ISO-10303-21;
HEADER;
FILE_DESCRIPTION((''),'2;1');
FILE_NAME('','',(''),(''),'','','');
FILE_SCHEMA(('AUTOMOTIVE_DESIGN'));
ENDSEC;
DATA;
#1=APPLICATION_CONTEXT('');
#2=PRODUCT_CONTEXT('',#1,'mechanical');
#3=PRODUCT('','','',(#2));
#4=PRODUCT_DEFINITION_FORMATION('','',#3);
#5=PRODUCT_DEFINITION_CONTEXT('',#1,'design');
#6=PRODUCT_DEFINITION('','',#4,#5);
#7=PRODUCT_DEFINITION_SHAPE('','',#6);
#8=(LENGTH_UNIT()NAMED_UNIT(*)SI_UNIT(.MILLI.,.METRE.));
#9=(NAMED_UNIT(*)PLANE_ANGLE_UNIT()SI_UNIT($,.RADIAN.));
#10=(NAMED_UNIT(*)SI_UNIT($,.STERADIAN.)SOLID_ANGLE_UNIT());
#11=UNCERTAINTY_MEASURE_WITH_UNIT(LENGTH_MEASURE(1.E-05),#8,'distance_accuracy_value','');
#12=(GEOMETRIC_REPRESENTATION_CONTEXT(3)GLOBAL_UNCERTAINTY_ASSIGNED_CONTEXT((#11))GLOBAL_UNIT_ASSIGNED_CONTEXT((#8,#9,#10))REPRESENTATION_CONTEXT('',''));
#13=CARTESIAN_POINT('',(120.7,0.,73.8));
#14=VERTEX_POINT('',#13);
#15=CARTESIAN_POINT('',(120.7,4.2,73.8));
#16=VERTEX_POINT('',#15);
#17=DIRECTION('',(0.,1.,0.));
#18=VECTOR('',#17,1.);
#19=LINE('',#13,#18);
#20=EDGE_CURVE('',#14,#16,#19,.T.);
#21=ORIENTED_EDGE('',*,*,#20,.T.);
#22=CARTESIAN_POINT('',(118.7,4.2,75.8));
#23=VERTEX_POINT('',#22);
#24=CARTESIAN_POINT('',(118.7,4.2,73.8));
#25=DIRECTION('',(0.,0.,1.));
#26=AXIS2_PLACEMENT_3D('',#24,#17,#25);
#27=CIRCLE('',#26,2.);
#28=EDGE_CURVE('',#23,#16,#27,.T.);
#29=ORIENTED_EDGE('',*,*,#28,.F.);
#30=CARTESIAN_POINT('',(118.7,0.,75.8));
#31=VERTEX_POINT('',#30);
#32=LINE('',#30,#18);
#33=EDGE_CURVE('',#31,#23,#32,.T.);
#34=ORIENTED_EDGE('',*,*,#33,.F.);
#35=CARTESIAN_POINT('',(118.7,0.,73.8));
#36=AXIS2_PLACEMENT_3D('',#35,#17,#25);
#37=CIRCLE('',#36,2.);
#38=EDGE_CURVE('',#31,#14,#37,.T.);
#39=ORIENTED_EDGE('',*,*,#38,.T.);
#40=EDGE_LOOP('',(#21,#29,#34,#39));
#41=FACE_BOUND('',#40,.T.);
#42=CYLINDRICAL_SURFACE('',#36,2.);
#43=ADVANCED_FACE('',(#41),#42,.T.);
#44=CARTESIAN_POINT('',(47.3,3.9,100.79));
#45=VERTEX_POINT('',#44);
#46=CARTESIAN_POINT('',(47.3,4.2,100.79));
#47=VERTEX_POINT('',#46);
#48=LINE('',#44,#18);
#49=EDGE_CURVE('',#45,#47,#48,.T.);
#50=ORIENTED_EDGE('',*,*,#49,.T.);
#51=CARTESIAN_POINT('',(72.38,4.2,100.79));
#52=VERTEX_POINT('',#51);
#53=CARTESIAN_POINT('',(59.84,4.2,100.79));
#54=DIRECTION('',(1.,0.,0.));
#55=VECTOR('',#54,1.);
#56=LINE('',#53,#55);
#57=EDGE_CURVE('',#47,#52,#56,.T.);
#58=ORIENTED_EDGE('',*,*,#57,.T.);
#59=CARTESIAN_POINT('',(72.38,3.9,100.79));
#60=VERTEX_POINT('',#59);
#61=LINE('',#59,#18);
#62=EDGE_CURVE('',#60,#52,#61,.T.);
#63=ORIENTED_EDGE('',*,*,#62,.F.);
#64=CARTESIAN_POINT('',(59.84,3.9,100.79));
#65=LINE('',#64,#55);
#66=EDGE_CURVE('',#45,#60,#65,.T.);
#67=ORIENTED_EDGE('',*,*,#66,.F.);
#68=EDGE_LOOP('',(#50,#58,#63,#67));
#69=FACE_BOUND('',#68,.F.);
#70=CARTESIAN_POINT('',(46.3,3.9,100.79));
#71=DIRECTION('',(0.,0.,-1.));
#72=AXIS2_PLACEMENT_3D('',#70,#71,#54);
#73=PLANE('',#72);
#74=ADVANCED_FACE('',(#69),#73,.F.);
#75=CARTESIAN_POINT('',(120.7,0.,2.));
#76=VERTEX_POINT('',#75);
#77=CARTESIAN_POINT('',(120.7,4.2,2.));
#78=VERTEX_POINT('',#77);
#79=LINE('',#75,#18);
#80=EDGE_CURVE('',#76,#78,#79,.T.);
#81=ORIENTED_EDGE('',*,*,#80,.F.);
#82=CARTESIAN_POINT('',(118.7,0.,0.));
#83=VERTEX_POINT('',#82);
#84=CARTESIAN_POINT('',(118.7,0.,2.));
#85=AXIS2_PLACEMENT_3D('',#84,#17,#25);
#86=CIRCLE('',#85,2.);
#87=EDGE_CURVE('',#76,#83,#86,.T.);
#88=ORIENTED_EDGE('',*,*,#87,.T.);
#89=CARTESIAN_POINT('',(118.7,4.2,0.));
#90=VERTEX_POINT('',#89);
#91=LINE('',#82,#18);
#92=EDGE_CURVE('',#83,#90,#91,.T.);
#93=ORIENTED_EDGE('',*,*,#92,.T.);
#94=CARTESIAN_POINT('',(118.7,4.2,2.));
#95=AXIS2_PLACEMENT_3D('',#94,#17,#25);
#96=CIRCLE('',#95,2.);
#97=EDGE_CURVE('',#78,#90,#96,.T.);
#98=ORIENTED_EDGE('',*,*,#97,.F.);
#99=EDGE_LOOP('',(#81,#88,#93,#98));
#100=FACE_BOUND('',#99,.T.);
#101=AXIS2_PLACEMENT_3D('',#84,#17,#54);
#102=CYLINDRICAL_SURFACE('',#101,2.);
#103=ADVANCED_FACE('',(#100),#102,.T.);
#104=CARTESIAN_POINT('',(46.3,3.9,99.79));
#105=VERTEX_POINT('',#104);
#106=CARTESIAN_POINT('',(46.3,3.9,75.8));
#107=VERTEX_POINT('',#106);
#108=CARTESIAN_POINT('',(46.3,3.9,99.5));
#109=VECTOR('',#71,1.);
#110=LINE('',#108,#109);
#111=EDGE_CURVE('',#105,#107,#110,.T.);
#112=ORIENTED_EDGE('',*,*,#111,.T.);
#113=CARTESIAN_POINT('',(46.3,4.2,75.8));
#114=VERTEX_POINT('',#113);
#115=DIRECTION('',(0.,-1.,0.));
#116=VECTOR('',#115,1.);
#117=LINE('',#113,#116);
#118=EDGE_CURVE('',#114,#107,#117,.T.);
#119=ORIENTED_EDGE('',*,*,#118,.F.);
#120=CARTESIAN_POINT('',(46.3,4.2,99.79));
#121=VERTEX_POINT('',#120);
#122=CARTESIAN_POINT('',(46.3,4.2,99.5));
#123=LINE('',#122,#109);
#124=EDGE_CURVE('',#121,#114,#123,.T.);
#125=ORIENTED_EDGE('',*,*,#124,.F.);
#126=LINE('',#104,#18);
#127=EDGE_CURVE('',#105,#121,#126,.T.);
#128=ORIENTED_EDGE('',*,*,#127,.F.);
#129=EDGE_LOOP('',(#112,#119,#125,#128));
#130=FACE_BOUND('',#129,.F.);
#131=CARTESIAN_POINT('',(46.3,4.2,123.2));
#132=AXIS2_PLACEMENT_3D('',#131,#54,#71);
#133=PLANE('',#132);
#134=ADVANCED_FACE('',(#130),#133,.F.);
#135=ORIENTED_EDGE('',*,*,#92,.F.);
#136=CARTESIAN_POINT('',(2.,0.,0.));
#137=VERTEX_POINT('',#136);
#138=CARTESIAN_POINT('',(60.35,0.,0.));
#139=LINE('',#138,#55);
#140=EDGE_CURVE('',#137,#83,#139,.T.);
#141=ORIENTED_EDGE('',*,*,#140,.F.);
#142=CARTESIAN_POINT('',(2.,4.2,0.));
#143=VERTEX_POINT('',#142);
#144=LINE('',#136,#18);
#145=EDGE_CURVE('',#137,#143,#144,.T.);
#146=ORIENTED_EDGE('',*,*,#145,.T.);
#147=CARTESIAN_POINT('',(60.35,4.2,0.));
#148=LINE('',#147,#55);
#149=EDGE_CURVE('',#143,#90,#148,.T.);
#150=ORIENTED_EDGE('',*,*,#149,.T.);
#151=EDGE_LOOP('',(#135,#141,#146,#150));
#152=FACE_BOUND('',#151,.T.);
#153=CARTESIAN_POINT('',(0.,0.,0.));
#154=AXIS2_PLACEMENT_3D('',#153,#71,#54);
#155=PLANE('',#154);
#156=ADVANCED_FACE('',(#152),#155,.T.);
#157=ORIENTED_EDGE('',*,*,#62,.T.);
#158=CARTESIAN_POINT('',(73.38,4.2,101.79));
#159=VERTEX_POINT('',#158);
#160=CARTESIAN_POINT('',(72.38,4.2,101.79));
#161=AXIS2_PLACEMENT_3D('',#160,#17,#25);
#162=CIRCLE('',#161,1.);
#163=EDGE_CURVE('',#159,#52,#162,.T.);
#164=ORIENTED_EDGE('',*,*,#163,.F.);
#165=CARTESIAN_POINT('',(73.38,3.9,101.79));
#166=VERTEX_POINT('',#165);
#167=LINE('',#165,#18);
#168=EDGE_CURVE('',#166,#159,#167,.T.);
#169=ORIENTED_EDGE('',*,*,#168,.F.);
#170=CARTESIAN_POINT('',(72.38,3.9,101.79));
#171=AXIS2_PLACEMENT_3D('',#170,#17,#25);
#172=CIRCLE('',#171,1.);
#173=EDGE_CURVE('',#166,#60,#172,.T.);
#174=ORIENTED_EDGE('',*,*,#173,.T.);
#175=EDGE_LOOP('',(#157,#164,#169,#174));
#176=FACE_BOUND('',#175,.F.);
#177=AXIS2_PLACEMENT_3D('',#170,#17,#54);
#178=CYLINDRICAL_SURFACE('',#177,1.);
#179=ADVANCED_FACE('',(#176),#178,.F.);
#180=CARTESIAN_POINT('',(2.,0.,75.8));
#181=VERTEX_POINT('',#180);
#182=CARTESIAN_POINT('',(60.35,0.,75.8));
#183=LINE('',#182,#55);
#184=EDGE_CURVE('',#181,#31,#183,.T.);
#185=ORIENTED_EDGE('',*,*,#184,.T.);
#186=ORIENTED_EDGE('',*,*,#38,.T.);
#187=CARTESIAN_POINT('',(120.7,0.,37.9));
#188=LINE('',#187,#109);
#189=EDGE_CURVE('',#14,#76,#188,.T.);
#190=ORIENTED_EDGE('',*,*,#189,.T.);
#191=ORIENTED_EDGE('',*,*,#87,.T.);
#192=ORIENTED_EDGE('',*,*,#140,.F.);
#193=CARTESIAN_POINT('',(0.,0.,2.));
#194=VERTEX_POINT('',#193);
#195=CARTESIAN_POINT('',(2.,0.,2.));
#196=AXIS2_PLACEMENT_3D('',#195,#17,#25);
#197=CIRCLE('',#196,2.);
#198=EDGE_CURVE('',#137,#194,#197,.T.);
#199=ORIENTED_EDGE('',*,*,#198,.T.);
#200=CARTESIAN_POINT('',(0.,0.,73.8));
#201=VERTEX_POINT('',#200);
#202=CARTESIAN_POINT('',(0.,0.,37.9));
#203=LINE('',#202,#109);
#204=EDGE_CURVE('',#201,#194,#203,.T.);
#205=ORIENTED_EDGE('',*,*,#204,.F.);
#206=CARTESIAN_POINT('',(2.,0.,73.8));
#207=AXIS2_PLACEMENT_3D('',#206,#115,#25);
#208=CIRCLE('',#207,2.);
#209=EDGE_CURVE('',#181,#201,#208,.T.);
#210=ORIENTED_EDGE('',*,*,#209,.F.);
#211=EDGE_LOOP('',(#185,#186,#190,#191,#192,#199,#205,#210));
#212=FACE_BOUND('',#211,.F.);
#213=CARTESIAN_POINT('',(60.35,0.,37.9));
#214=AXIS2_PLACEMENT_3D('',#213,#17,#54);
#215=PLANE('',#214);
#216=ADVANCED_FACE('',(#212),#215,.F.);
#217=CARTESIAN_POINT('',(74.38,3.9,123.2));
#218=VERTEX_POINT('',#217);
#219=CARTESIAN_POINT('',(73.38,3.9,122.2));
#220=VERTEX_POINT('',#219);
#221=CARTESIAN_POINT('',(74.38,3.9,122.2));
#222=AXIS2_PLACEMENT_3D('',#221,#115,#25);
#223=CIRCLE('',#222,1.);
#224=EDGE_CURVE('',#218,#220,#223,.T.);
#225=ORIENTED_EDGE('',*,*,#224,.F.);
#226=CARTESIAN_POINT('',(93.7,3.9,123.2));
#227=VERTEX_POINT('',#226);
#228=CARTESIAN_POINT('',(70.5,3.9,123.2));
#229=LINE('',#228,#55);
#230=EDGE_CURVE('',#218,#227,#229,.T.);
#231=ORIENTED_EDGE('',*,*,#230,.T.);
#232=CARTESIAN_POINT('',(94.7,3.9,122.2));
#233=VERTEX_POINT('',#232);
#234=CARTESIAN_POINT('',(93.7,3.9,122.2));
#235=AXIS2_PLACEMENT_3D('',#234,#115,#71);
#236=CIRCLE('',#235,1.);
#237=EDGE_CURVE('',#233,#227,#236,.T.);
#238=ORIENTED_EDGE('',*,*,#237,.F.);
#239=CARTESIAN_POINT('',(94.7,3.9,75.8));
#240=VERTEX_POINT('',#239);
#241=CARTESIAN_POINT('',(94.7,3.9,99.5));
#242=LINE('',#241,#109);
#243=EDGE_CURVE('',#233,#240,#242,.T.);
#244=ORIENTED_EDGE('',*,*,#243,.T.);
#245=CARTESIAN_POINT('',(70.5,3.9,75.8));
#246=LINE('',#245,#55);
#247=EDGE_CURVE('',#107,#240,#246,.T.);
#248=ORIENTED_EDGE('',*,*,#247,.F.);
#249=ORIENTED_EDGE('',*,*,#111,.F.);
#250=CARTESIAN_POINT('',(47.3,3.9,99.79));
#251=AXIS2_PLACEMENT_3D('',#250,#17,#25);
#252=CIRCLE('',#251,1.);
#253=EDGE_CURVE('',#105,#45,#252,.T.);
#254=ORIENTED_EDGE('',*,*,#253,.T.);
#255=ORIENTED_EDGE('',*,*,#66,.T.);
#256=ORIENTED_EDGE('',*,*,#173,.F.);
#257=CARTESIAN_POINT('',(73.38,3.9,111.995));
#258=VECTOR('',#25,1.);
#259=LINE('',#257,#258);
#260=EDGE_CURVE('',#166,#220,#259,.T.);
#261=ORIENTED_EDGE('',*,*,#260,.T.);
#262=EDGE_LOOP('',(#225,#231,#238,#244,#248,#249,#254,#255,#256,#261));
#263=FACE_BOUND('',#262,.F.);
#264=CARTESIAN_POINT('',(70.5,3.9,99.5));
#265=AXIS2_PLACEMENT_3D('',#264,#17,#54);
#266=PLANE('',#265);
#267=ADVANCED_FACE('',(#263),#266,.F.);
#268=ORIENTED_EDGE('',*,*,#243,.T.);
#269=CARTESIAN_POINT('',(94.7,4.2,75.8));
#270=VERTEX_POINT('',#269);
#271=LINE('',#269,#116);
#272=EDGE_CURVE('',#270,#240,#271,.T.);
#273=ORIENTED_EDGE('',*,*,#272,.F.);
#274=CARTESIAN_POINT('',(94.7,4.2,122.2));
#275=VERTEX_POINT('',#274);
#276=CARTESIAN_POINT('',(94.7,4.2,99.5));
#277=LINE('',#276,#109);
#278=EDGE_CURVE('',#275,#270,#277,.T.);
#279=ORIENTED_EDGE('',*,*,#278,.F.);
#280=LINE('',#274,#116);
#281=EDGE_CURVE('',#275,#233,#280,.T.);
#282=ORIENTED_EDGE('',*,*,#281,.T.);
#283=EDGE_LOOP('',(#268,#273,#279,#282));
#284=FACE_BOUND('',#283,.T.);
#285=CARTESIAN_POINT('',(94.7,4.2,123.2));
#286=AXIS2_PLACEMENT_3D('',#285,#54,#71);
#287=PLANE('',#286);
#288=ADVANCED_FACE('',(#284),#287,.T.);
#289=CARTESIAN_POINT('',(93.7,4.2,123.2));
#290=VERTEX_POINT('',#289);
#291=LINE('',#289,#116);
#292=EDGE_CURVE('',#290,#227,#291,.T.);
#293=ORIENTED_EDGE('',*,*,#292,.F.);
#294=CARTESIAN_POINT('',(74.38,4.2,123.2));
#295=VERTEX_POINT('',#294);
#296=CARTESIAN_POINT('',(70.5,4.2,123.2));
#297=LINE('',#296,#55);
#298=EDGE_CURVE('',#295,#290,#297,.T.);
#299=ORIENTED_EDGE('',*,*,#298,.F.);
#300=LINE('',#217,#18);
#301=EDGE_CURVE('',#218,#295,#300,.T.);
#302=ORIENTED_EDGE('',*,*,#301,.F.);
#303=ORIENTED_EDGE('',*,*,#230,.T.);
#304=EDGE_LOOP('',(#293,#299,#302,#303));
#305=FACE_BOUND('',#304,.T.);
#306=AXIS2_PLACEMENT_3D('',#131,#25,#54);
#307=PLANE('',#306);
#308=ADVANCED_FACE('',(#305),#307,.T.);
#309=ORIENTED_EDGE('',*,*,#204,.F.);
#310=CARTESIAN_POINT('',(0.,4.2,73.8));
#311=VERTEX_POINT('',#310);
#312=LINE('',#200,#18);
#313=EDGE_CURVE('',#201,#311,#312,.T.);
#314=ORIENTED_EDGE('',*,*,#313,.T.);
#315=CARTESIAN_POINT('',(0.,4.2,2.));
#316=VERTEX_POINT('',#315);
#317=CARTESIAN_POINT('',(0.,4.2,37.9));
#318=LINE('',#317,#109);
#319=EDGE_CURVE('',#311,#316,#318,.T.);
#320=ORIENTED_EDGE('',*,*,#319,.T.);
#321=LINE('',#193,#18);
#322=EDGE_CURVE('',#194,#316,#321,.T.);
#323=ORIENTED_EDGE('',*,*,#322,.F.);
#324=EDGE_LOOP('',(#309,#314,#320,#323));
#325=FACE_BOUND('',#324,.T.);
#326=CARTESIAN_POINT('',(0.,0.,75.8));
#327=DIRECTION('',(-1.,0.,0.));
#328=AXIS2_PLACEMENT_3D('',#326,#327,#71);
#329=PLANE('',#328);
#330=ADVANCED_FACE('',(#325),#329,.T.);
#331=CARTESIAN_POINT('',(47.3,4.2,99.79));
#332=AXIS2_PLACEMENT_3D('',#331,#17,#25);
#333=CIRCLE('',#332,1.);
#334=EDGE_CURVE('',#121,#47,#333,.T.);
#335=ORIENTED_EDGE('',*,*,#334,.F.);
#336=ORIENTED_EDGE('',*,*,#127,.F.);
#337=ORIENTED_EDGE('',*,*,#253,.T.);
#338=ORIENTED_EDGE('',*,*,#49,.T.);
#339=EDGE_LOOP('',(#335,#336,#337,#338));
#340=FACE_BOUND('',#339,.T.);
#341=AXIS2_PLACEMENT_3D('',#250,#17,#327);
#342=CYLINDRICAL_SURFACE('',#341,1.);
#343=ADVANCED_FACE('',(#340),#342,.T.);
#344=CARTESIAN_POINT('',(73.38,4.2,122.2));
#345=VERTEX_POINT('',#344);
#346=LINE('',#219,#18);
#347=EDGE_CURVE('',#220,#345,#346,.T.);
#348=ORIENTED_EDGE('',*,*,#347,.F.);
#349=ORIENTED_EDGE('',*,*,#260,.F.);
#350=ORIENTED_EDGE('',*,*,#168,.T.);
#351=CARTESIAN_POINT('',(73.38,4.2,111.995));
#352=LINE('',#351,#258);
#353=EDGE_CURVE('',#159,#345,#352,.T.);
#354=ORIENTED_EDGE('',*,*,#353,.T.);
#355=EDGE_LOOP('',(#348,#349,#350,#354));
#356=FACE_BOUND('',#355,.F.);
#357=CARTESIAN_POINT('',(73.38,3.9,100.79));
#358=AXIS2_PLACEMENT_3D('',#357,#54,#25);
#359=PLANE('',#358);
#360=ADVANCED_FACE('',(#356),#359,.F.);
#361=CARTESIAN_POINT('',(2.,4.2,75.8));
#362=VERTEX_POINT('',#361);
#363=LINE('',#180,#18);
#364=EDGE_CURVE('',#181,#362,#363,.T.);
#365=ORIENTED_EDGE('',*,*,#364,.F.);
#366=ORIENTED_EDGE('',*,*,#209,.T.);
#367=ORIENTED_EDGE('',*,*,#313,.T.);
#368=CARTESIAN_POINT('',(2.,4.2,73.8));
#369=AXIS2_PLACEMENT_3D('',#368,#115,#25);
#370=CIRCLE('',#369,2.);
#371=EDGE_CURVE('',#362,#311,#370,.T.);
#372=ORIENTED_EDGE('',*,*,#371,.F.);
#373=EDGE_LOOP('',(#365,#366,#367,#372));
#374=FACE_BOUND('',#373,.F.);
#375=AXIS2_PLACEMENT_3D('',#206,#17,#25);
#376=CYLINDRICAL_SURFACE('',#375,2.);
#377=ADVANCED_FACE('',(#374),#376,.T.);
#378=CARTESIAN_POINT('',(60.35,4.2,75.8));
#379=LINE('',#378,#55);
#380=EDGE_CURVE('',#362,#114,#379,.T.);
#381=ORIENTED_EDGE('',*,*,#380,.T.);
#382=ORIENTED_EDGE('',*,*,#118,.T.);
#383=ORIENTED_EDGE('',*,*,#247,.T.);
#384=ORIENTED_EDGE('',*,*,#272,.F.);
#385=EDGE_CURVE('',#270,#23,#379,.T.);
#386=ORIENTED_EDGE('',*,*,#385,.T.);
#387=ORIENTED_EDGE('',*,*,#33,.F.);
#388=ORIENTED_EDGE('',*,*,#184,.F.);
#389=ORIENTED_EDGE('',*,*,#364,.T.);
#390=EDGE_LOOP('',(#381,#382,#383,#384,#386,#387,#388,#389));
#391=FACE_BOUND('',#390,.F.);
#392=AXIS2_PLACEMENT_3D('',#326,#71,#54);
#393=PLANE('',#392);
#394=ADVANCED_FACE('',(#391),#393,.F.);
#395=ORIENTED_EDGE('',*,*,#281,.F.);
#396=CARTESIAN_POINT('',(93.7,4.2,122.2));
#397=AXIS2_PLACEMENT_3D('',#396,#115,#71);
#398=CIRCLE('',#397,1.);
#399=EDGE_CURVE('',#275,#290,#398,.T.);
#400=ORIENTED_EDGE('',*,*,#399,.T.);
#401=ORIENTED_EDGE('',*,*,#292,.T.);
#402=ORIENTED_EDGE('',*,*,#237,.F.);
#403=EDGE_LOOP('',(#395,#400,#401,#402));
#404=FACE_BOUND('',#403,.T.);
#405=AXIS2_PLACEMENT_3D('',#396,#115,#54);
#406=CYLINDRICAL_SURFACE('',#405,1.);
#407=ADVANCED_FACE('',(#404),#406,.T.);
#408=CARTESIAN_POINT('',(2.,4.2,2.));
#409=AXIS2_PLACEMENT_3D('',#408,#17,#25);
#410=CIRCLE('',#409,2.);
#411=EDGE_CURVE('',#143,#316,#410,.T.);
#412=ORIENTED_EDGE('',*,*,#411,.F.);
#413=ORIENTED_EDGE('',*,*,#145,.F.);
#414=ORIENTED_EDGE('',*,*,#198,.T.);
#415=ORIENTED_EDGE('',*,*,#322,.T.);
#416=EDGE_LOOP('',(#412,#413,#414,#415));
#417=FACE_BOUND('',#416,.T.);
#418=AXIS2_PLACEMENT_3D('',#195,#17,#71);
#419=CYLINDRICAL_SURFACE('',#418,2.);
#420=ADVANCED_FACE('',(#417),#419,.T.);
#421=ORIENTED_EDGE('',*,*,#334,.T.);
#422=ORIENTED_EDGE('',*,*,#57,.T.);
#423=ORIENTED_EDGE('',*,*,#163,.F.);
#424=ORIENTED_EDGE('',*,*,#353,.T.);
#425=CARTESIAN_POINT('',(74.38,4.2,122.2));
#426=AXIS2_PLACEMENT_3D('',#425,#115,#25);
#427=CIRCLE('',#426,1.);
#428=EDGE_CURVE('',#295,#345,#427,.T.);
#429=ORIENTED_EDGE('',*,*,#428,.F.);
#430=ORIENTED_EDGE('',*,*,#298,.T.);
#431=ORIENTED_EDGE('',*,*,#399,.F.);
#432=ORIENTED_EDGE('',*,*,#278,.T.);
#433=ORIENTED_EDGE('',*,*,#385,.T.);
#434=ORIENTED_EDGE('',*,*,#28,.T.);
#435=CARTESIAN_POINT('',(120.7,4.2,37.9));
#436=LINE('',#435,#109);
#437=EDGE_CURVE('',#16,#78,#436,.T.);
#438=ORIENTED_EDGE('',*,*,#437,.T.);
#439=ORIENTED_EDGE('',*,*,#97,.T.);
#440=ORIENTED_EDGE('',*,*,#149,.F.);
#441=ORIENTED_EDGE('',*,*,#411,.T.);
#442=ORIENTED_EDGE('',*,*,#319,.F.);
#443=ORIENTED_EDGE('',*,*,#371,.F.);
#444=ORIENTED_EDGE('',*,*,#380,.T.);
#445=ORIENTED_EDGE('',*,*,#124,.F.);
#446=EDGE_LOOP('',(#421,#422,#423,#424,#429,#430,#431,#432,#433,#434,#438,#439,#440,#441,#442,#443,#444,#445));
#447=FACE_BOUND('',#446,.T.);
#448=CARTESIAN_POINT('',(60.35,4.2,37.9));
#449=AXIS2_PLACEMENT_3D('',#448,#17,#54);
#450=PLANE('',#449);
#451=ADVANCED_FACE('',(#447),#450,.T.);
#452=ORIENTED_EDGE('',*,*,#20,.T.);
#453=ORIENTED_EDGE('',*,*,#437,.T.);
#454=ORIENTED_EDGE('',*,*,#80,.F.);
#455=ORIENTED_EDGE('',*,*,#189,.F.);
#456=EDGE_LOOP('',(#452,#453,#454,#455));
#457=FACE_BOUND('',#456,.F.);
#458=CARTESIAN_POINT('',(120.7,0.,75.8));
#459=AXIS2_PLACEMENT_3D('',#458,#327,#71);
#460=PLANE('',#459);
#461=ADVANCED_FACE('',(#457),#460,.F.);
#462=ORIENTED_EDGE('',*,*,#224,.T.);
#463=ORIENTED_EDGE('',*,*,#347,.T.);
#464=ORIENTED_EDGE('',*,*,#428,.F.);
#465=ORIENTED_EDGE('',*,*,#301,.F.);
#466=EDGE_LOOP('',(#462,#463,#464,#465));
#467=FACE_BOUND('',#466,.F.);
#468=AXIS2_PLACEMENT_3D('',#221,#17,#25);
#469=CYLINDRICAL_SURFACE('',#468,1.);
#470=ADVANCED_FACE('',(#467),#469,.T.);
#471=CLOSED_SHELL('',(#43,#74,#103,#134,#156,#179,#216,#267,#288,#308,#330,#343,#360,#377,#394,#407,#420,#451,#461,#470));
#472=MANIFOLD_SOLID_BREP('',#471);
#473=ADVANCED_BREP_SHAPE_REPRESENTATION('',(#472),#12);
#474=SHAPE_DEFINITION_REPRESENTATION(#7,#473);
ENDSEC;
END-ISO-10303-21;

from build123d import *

# Parameters (mm, degrees)
SKETCH1_W           = 120.7
SKETCH1_H           = 75.8
BOSS_EXTRUDE1_DEPTH = 4.2
SKETCH2_W           = 48.4
SKETCH2_H           = 47.4
BOSS_EXTRUDE2_DEPTH = 0.3
SKETCH4_W           = 27.08
SKETCH4_H           = 22.41
CUT_EXTRUDE1_DEPTH  = 0.3
FILLET2_R           = 1
FILLET3_R           = 2


with BuildPart() as part:
    # Sketch1 → Boss-Extrude1 (new body)
    with BuildSketch(Plane(origin=(0, 0, 0), x_dir=(1, 0, 0), z_dir=(0, 1, 0))):
        with Locations((60.35, -37.9)):
            Rectangle(SKETCH1_W, SKETCH1_H)
    extrude(amount=BOSS_EXTRUDE1_DEPTH)

    # Sketch2 → Boss-Extrude2 (add)
    with BuildSketch(Plane(origin=(0, 4.2, 0), x_dir=(1, 0, 0), z_dir=(0, 1, 0))):
        with Locations((70.5, -99.5)):
            Rectangle(SKETCH2_W, SKETCH2_H)
    extrude(amount=-BOSS_EXTRUDE2_DEPTH)

    # Sketch4 → Cut-Extrude1 (cut)
    with BuildSketch(Plane.XZ.offset(-3.9)):
        with Locations((59.84, 111.995)):
            Rectangle(SKETCH4_W, SKETCH4_H)
    extrude(amount=-CUT_EXTRUDE1_DEPTH, mode=Mode.SUBTRACT)

    # Fillet2
    fillet2_edges = [part.edges().sort_by_distance(p)[0] for p in [
        (94.7, 4.05, 123.2),
        (46.3, 4.05, 100.79),
        (73.38, 4.05, 123.2),
        (73.38, 4.05, 100.79),
    ]]
    fillet(fillet2_edges, radius=FILLET2_R)

    # Fillet3
    fillet3_edges = [part.edges().sort_by_distance(p)[0] for p in [
        (0, 2.1, 0),
        (120.7, 2.1, 0),
        (120.7, 2.1, 75.8),
        (0, 2.1, 75.8),
    ]]
    fillet(fillet3_edges, radius=FILLET3_R)


solid = part.part
